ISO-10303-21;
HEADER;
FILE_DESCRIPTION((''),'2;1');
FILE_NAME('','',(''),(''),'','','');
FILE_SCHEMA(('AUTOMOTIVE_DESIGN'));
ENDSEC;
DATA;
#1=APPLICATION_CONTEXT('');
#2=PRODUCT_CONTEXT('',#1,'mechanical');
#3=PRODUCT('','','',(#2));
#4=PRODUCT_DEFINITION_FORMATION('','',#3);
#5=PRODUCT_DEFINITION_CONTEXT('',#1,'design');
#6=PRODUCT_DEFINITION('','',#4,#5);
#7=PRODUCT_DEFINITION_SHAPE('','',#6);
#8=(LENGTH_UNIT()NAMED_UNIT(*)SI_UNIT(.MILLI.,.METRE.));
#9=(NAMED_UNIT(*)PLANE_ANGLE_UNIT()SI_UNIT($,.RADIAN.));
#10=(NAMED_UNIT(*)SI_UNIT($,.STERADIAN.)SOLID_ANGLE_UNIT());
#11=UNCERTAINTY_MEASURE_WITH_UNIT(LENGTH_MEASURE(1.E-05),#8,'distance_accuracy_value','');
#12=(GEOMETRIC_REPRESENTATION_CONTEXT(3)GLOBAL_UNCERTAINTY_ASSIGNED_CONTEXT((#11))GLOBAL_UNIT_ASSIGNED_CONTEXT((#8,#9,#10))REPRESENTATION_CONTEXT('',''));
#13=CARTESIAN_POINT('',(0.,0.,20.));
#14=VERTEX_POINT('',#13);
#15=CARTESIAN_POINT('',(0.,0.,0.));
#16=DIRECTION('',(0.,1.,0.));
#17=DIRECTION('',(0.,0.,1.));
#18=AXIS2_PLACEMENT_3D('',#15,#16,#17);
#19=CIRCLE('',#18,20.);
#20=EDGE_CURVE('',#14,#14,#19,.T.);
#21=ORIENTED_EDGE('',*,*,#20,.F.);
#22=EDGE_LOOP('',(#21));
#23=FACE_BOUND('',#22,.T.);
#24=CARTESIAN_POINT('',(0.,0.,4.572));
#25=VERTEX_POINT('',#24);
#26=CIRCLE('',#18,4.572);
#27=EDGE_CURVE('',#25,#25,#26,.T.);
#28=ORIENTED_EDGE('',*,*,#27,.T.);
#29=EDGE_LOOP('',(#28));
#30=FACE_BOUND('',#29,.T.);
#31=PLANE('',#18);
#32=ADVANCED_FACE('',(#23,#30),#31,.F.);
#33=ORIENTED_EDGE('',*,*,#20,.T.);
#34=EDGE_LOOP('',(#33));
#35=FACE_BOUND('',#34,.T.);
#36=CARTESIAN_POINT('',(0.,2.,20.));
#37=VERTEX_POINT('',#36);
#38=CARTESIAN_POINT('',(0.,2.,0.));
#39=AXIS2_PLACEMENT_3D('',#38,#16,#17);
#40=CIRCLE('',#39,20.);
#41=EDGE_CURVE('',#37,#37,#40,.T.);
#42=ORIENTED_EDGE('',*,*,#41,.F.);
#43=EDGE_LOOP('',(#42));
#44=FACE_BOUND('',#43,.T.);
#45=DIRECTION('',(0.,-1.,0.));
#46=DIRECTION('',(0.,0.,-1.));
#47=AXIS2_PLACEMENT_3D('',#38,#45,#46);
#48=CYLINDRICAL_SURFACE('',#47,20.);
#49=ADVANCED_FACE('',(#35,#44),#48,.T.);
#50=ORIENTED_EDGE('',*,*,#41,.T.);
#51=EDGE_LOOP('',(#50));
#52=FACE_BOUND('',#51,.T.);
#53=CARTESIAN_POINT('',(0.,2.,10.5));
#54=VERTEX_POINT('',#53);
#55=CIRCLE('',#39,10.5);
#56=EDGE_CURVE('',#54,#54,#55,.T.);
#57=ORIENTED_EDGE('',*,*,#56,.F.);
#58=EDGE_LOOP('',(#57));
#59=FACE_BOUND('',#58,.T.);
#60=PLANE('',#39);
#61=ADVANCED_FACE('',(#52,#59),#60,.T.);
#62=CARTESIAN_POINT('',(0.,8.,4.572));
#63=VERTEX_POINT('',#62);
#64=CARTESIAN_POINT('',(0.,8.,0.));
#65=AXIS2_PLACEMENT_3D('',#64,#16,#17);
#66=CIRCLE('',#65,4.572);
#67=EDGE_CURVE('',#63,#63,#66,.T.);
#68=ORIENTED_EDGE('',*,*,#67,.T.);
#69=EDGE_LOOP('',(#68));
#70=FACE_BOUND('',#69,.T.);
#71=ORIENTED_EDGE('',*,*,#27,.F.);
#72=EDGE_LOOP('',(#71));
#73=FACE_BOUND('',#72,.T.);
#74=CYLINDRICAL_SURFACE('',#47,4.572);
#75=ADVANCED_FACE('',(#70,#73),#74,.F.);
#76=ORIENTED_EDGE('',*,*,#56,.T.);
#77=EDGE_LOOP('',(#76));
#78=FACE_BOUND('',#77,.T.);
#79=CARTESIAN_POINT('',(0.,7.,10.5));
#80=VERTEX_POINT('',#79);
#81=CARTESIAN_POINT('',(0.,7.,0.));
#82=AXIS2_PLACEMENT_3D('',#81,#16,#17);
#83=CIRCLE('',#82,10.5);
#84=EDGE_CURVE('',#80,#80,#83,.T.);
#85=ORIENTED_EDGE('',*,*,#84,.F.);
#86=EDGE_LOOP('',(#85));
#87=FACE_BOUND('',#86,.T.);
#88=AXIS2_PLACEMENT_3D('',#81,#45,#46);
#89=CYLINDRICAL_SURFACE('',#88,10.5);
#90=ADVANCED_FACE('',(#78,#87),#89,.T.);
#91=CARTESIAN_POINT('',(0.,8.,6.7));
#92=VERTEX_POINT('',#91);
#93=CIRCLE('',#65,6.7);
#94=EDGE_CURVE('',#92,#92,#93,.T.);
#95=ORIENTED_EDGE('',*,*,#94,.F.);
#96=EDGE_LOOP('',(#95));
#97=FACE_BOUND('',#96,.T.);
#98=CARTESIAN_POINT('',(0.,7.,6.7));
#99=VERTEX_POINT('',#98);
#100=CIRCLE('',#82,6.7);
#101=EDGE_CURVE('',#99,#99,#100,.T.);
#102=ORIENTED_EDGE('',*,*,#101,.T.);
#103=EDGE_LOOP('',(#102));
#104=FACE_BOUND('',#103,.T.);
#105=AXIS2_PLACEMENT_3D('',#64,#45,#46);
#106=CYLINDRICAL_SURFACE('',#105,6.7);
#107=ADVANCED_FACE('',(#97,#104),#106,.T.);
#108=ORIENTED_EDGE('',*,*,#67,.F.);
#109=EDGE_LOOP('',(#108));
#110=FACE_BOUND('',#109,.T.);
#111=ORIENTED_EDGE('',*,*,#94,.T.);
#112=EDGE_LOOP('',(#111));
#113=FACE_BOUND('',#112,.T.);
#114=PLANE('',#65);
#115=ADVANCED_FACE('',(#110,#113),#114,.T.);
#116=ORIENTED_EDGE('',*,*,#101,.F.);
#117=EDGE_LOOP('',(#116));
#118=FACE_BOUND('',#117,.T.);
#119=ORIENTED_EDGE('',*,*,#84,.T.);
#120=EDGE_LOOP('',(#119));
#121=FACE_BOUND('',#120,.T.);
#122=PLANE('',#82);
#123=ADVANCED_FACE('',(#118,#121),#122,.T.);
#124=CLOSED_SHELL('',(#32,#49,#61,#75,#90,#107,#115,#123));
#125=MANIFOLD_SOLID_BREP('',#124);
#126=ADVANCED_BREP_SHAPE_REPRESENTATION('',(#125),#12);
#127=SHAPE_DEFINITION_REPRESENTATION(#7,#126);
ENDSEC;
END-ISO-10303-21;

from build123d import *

# Parameters (mm, degrees)
SKETCH1_R           = 20
SKETCH1_R_2         = 4.572
BOSS_EXTRUDE1_DEPTH = 2
SKETCH2_R           = 10.5
SKETCH2_R_2         = 4.572
BOSS_EXTRUDE2_DEPTH = 5
SKETCH3_R           = 6.7
SKETCH3_R_2         = 4.572
BOSS_EXTRUDE3_DEPTH = 1


with BuildPart() as part:
    # Sketch1 → Boss-Extrude1 (new body)
    with BuildSketch(Plane(origin=(0, 0, 0), x_dir=(1, 0, 0), z_dir=(0, 1, 0))):
        with Locations(Location((0, 0, 0), (0, 0, 270))):
            Circle(SKETCH1_R)
        with Locations(Location((0, 0, 0), (0, 0, 270))):
            Circle(SKETCH1_R_2, mode=Mode.SUBTRACT)
    extrude(amount=BOSS_EXTRUDE1_DEPTH)

    # Sketch2 → Boss-Extrude2 (add)
    with BuildSketch(Plane(origin=(0, 2, 0), x_dir=(1, 0, 0), z_dir=(0, 1, 0))):
        with Locations(Location((0, 0, 0), (0, 0, 270))):
            Circle(SKETCH2_R)
        with Locations(Location((0, 0, 0), (0, 0, 270))):
            Circle(SKETCH2_R_2, mode=Mode.SUBTRACT)
    extrude(amount=BOSS_EXTRUDE2_DEPTH)

    # Sketch3 → Boss-Extrude3 (add)
    with BuildSketch(Plane(origin=(0, 7, 0), x_dir=(1, 0, 0), z_dir=(0, 1, 0))):
        with Locations(Location((0, 0, 0), (0, 0, 270))):
            Circle(SKETCH3_R)
        with Locations(Location((0, 0, 0), (0, 0, 270))):
            Circle(SKETCH3_R_2, mode=Mode.SUBTRACT)
    extrude(amount=BOSS_EXTRUDE3_DEPTH)


solid = part.part
